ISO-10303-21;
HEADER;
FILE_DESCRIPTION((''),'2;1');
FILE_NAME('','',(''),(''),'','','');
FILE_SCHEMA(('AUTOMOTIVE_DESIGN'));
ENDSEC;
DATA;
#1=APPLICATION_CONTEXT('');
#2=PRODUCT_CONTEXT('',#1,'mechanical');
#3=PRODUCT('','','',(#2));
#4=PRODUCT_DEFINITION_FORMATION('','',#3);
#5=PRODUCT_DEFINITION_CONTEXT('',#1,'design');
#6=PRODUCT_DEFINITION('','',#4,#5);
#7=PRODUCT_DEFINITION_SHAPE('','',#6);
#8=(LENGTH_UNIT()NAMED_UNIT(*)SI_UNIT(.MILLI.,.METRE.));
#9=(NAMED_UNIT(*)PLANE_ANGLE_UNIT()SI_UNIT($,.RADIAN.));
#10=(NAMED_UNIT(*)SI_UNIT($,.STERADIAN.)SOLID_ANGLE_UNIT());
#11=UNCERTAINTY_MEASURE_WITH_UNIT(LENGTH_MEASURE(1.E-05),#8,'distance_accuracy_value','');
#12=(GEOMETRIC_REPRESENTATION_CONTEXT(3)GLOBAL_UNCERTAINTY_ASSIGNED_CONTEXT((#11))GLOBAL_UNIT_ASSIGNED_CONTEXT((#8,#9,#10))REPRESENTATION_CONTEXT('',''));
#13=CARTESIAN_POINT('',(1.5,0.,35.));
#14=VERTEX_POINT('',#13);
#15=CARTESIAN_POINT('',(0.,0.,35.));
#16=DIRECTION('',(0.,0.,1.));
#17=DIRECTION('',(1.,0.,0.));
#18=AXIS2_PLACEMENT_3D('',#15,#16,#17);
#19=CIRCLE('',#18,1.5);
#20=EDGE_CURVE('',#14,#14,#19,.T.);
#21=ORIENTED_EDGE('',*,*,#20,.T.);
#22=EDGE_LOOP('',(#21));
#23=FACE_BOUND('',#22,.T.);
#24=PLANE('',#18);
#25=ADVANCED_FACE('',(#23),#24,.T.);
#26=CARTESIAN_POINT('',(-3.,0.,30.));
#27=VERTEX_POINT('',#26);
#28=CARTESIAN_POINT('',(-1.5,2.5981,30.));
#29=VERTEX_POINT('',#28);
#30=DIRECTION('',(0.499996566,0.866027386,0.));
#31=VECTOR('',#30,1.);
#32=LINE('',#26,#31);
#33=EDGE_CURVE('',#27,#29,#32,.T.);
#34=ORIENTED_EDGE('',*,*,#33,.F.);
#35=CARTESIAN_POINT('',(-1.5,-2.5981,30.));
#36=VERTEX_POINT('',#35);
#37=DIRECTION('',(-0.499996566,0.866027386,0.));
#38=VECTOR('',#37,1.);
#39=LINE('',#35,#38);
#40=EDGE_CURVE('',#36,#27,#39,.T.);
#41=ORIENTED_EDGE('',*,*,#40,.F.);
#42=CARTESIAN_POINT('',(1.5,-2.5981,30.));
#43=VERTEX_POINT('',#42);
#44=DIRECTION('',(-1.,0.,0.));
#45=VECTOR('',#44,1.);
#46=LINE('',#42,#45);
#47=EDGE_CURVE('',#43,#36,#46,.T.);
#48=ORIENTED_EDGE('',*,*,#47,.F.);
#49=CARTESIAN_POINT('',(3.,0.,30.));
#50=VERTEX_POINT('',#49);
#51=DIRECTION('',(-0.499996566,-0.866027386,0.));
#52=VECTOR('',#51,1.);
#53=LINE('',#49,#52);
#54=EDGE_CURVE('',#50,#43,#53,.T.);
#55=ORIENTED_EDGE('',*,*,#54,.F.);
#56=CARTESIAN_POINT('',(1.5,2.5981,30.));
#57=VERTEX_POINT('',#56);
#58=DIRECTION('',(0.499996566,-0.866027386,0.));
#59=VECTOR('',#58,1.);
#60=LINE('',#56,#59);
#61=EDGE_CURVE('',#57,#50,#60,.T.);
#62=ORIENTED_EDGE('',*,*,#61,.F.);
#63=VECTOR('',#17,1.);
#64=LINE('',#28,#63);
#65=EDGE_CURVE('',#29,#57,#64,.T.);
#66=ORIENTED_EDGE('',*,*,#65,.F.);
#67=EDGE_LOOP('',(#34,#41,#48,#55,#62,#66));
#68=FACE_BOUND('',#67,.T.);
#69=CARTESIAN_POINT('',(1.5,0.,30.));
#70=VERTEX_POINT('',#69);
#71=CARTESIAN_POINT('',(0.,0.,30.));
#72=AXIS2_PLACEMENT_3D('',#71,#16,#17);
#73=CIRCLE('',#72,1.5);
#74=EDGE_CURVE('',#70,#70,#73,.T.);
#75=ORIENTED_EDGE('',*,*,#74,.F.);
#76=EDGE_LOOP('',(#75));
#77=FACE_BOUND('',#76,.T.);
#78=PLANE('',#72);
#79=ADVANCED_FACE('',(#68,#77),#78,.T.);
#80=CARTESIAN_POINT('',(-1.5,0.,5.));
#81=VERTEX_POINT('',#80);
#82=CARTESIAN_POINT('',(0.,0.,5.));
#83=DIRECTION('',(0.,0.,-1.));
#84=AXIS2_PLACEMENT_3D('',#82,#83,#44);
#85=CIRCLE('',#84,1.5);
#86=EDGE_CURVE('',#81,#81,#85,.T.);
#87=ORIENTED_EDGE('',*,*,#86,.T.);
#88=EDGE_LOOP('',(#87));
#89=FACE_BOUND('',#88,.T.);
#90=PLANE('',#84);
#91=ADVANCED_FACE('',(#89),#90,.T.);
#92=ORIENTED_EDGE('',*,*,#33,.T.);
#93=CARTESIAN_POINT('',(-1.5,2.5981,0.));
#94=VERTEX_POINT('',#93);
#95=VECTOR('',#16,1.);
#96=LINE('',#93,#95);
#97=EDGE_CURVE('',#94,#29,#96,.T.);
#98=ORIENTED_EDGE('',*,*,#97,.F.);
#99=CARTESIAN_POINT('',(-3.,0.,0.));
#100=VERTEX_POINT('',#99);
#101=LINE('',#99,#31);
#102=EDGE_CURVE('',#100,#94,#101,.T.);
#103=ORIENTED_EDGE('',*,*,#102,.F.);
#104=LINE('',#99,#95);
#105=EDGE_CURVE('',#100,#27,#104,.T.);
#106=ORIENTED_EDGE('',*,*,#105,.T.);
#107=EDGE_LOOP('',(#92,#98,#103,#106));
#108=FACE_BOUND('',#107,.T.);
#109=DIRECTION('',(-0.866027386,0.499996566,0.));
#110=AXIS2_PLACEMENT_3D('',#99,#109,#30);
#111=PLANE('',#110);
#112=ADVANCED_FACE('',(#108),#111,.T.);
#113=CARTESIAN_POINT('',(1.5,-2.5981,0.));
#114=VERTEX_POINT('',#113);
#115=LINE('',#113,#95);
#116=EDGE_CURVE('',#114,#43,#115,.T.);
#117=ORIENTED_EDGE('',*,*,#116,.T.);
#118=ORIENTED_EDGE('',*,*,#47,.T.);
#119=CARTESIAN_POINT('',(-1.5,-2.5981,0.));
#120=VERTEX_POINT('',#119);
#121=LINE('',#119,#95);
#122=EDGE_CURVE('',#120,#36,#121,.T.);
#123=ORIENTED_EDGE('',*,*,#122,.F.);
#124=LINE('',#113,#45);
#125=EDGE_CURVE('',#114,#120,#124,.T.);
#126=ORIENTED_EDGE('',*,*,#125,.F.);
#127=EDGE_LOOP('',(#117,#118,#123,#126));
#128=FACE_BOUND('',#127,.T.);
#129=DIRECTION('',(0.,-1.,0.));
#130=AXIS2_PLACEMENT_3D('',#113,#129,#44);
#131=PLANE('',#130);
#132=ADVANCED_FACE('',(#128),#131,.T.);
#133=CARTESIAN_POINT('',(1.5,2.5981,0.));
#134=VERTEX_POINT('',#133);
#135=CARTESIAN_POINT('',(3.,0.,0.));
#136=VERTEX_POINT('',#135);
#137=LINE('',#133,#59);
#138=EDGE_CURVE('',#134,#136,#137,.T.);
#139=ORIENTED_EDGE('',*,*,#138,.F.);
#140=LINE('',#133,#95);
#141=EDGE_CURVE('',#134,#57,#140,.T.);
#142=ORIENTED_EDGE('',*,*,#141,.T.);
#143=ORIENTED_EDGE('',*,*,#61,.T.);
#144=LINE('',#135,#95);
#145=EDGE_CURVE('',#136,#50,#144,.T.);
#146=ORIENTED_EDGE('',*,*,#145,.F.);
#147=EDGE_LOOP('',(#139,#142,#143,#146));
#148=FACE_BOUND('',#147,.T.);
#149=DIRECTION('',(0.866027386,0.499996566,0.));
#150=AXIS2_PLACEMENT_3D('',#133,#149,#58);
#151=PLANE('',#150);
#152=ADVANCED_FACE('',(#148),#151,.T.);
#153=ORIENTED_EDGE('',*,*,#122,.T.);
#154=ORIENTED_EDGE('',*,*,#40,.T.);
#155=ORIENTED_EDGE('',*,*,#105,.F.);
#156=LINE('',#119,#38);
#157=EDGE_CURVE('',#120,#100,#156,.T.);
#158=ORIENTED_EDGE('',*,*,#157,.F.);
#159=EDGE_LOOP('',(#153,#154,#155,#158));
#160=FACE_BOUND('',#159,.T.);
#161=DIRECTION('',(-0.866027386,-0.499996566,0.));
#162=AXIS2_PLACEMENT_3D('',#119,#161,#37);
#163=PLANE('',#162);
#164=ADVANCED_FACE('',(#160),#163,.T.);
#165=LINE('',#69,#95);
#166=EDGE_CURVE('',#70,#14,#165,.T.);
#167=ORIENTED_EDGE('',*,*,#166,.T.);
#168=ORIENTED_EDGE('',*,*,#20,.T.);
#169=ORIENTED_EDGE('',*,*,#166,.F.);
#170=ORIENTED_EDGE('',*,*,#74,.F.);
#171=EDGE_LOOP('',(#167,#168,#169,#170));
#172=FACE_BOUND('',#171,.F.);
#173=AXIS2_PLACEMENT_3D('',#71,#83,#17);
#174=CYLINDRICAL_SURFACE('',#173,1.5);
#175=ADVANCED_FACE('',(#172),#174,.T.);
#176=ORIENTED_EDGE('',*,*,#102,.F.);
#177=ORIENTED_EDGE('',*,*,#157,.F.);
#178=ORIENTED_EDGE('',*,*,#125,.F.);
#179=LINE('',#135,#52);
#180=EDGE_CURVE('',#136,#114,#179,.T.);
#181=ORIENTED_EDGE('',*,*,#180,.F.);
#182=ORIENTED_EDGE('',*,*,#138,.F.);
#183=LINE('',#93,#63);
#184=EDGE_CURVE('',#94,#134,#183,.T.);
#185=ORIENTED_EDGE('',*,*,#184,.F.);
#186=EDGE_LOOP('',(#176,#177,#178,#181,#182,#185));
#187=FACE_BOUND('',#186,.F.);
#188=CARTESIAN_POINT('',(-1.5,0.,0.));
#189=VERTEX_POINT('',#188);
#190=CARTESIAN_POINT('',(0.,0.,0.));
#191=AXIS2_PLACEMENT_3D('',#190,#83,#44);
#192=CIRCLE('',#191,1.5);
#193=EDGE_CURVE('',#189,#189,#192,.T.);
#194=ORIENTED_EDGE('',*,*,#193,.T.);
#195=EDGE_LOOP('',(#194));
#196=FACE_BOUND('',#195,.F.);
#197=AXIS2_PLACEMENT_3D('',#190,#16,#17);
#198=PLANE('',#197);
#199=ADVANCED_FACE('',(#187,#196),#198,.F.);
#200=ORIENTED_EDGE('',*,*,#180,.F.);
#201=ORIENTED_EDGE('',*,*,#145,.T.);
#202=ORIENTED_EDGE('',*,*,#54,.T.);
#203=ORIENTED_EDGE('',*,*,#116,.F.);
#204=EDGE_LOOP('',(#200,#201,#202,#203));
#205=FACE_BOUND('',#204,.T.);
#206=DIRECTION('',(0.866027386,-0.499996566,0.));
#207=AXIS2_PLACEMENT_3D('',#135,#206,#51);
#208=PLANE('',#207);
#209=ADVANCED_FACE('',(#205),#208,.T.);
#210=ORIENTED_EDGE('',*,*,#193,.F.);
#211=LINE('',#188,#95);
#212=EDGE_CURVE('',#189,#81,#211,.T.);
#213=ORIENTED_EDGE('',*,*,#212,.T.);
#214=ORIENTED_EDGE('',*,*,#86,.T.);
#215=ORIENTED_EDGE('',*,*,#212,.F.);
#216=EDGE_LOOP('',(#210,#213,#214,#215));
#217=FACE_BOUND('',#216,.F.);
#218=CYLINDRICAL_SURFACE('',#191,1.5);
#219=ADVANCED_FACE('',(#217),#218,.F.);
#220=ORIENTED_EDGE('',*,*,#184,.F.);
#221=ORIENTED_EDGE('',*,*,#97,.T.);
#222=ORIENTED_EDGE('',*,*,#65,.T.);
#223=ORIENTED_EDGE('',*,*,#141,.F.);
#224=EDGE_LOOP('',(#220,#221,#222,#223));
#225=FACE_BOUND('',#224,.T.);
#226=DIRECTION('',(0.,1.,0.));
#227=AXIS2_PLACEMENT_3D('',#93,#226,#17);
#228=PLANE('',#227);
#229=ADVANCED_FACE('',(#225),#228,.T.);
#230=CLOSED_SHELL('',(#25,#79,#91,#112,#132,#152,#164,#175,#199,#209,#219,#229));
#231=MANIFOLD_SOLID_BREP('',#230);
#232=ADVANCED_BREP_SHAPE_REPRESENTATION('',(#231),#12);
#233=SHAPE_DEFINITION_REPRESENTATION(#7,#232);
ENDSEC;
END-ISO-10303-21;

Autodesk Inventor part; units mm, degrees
ref_plane "YZ Plane" through (0, 0, 0) normal (1, 0, 0) x (0, 1, 0)
ref_plane "XZ Plane" through (0, 0, 0) normal (0, 1, 0) x (-1, 0, 0)
ref_plane "XY Plane" through (0, 0, 0) normal (0, 0, 1) x (1, 0, 0)
sketch "스케치1" plane through (0, 0, 0) normal (0, 0, 1) x (1, 0, 0)
  line L0 (-3, 0) -> (-1.5, 2.5981)
  line L1 (-1.5, 2.5981) -> (1.5, 2.5981)
  line L2 (1.5, 2.5981) -> (3, 0)
  line L3 (3, 0) -> (1.5, -2.5981)
  line L4 (1.5, -2.5981) -> (-1.5, -2.5981)
  line L5 (-1.5, -2.5981) -> (-3, 0)
  point P0 (0, 0)
  point P1 (0, 0)
  dimension "d0" = 6
extrude "돌출1" add sketch "스케치1" along normal blind 30
sketch "스케치2" plane through (0, 0, 30) normal (0, 0, 1) x (1, 0, 0)
  circle A0 centre (0, 0) radius 1.5
  dimension "d3" = 3
extrude "돌출2" add sketch "스케치2" along normal blind 5
sketch "스케치3" plane through (0, 0, 0) normal (0, 0, -1) x (-1, 0, 0)
  circle A0 centre (0, 0) radius 1.5
  dimension "d6" = 3
extrude "돌출3" cut sketch "스케치3" against normal blind 5
properties part number "50mm지지대"
